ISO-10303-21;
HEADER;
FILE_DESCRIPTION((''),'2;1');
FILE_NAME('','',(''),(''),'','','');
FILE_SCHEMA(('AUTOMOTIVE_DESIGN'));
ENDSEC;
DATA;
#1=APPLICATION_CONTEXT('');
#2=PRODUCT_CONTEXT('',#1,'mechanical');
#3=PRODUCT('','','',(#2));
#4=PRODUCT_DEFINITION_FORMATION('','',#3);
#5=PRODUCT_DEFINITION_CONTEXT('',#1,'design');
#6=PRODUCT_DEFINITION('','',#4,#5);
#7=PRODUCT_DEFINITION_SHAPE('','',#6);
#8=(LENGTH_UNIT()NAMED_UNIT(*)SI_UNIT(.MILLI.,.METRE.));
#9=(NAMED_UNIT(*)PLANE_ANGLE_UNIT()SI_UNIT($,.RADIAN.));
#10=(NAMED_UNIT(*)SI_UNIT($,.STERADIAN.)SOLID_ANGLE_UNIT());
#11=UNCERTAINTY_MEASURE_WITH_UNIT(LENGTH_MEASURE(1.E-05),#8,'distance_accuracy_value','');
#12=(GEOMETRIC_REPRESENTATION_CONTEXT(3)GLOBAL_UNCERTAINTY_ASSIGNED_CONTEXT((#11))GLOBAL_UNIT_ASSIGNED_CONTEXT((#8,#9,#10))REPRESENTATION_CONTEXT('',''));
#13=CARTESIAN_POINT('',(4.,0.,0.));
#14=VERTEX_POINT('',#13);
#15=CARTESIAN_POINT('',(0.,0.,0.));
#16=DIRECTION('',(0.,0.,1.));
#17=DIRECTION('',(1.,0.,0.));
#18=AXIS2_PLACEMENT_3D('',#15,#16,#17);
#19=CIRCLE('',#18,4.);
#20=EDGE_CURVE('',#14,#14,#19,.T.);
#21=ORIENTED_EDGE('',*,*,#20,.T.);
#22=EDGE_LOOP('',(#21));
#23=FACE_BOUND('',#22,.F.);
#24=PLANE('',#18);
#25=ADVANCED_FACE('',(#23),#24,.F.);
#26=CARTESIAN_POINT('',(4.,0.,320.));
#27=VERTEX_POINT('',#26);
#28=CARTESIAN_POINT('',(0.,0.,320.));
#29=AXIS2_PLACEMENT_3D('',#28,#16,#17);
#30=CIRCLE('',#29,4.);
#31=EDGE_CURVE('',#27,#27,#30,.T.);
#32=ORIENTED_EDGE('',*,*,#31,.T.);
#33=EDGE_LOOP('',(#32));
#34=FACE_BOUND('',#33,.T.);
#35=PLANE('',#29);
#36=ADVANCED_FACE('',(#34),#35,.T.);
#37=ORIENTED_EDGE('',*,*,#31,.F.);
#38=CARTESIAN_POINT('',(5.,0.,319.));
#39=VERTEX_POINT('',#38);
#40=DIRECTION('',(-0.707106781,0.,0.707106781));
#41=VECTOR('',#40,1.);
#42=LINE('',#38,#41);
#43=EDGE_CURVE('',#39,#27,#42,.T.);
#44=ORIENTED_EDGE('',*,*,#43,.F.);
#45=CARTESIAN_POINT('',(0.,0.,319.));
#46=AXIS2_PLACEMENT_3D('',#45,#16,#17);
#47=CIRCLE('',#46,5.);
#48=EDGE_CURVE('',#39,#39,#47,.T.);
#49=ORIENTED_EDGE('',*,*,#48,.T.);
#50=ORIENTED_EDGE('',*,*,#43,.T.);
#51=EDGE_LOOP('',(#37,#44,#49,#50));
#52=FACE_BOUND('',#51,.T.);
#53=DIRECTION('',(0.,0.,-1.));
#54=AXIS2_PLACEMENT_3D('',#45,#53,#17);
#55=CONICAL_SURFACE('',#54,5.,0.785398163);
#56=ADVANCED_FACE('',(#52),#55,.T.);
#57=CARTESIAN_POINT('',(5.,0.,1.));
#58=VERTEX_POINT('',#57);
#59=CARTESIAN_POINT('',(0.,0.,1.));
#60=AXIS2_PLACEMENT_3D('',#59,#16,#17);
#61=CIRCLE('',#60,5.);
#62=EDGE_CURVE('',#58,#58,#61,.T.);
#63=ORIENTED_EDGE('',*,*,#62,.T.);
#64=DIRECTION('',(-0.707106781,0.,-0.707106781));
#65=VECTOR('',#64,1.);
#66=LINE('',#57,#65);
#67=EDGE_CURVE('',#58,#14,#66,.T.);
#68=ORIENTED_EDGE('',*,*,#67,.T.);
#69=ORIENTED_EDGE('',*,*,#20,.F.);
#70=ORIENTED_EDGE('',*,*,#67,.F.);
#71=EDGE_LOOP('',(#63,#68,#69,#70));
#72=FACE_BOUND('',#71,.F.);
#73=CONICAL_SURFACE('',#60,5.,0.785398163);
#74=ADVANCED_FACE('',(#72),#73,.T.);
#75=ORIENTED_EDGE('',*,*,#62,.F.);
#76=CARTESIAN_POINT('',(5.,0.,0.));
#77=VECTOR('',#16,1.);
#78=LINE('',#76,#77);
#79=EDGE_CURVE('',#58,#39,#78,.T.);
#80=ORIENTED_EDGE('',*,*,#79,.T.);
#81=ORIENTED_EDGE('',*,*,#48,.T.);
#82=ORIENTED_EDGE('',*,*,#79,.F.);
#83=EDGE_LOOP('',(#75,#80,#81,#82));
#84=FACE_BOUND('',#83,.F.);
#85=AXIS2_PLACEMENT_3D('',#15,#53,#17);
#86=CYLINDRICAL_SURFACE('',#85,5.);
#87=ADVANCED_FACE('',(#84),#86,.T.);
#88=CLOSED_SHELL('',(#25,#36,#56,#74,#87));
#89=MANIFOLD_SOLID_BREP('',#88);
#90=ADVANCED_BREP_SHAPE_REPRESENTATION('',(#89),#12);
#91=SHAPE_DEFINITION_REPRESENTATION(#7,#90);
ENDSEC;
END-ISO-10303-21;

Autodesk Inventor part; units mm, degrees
ref_plane "YZ Plane" through (0, 0, 0) normal (1, 0, 0) x (0, 1, 0)
ref_plane "XZ Plane" through (0, 0, 0) normal (0, 1, 0) x (-1, 0, 0)
ref_plane "XY Plane" through (0, 0, 0) normal (0, 0, 1) x (1, 0, 0)
sketch "Sketch1" plane through (0, 0, 0) normal (0, 0, 1) x (1, 0, 0)
  circle A0 centre (0, 0) radius 5
  dimension "d0" = 10
extrude "Extrusion1" add sketch "Sketch1" along normal blind 320
chamfer "Chamfer1" distance 1 angle 45 2 edges at (-5, 0, 320) (-5, 0, 0)
equation "\"d1\" = frame_depth - 2 * extrusion_size"
equation "\"platform_width\" = 214"
equation "\"platform_depth\" = 214"
equation "\"bed_cl_y_offset\" = 173.25"
equation "\"frame_depth\" = 380"
equation "\"extrusion_size\" = 30"
properties part number "Linear rail - Y" material "Steel, Mild"
